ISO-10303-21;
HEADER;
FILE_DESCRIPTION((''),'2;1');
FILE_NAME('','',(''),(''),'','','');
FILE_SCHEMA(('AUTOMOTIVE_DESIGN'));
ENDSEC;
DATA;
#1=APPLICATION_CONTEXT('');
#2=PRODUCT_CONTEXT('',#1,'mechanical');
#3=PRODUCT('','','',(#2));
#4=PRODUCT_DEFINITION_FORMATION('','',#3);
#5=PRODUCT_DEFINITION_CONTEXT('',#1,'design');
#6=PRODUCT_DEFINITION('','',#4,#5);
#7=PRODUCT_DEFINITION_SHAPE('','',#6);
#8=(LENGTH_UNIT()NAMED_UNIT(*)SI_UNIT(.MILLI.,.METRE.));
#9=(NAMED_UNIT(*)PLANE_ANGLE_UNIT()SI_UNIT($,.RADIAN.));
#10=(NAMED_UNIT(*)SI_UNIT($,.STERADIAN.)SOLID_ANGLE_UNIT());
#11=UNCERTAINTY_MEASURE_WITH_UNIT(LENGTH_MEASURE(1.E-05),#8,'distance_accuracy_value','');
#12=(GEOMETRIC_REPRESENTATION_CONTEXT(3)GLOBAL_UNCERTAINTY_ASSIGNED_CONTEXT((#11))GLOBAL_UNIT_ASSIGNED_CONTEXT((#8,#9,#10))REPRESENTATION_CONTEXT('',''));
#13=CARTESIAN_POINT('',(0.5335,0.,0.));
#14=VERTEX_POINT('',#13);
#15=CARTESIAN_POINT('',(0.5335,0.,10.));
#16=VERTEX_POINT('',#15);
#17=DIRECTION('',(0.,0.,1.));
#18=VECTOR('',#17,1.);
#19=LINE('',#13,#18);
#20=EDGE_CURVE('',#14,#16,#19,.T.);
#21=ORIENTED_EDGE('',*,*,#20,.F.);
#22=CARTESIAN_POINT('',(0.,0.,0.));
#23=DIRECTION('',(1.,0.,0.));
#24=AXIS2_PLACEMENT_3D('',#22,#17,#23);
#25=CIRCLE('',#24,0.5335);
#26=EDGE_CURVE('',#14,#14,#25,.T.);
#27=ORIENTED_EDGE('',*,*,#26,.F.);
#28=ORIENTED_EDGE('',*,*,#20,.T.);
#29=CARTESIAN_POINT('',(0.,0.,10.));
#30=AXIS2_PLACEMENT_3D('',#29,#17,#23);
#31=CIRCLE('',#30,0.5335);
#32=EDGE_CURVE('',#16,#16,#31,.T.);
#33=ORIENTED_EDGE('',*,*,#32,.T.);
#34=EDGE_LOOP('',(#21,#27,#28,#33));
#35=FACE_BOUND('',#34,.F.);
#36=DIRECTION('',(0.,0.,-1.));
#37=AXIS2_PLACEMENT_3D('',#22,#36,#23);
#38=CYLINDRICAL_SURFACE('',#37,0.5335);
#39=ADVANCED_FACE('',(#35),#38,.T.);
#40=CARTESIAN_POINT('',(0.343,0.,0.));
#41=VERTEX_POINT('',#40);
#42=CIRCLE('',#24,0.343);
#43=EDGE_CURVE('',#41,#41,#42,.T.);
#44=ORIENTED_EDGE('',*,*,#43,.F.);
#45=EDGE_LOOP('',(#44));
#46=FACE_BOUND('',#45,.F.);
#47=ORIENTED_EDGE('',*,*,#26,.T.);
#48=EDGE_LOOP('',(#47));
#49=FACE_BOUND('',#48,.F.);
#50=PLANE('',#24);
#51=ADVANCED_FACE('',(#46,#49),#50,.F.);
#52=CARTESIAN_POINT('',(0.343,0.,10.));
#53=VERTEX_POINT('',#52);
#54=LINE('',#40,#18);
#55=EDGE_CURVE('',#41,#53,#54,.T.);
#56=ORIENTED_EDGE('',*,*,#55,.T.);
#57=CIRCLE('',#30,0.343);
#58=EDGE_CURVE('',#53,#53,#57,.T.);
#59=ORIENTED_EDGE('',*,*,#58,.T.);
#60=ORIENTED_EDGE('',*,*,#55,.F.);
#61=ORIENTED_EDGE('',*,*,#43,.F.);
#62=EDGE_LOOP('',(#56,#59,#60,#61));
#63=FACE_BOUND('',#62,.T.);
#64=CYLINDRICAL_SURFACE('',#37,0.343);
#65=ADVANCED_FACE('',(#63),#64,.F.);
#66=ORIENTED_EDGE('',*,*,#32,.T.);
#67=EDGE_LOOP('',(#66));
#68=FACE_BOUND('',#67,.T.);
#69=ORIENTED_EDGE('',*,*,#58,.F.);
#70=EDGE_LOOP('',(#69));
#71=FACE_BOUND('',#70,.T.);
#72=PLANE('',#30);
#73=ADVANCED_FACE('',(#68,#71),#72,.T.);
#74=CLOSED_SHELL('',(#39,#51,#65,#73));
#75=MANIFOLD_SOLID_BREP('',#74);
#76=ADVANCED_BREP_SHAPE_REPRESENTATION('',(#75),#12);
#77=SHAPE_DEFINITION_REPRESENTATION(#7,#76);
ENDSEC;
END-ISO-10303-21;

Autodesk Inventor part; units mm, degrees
ref_plane "YZ Plane" through (0, 0, 0) normal (1, 0, 0) x (0, 1, 0)
ref_plane "XZ Plane" through (0, 0, 0) normal (0, 1, 0) x (-1, 0, 0)
ref_plane "XY Plane" through (0, 0, 0) normal (0, 0, 1) x (1, 0, 0)
sketch "Sketch1" plane through (0, 0, 0) normal (0, 0, 1) x (1, 0, 0)
  circle A0 centre (0, 0) radius 0.5335
  circle A1 centre (0, 0) radius 0.343
  dimension "d0" = 1.067
  dimension "d1" = 0.686
extrude "Extrusion1" add sketch "Sketch1" along normal blind 10
properties part number "19G_Holder"
